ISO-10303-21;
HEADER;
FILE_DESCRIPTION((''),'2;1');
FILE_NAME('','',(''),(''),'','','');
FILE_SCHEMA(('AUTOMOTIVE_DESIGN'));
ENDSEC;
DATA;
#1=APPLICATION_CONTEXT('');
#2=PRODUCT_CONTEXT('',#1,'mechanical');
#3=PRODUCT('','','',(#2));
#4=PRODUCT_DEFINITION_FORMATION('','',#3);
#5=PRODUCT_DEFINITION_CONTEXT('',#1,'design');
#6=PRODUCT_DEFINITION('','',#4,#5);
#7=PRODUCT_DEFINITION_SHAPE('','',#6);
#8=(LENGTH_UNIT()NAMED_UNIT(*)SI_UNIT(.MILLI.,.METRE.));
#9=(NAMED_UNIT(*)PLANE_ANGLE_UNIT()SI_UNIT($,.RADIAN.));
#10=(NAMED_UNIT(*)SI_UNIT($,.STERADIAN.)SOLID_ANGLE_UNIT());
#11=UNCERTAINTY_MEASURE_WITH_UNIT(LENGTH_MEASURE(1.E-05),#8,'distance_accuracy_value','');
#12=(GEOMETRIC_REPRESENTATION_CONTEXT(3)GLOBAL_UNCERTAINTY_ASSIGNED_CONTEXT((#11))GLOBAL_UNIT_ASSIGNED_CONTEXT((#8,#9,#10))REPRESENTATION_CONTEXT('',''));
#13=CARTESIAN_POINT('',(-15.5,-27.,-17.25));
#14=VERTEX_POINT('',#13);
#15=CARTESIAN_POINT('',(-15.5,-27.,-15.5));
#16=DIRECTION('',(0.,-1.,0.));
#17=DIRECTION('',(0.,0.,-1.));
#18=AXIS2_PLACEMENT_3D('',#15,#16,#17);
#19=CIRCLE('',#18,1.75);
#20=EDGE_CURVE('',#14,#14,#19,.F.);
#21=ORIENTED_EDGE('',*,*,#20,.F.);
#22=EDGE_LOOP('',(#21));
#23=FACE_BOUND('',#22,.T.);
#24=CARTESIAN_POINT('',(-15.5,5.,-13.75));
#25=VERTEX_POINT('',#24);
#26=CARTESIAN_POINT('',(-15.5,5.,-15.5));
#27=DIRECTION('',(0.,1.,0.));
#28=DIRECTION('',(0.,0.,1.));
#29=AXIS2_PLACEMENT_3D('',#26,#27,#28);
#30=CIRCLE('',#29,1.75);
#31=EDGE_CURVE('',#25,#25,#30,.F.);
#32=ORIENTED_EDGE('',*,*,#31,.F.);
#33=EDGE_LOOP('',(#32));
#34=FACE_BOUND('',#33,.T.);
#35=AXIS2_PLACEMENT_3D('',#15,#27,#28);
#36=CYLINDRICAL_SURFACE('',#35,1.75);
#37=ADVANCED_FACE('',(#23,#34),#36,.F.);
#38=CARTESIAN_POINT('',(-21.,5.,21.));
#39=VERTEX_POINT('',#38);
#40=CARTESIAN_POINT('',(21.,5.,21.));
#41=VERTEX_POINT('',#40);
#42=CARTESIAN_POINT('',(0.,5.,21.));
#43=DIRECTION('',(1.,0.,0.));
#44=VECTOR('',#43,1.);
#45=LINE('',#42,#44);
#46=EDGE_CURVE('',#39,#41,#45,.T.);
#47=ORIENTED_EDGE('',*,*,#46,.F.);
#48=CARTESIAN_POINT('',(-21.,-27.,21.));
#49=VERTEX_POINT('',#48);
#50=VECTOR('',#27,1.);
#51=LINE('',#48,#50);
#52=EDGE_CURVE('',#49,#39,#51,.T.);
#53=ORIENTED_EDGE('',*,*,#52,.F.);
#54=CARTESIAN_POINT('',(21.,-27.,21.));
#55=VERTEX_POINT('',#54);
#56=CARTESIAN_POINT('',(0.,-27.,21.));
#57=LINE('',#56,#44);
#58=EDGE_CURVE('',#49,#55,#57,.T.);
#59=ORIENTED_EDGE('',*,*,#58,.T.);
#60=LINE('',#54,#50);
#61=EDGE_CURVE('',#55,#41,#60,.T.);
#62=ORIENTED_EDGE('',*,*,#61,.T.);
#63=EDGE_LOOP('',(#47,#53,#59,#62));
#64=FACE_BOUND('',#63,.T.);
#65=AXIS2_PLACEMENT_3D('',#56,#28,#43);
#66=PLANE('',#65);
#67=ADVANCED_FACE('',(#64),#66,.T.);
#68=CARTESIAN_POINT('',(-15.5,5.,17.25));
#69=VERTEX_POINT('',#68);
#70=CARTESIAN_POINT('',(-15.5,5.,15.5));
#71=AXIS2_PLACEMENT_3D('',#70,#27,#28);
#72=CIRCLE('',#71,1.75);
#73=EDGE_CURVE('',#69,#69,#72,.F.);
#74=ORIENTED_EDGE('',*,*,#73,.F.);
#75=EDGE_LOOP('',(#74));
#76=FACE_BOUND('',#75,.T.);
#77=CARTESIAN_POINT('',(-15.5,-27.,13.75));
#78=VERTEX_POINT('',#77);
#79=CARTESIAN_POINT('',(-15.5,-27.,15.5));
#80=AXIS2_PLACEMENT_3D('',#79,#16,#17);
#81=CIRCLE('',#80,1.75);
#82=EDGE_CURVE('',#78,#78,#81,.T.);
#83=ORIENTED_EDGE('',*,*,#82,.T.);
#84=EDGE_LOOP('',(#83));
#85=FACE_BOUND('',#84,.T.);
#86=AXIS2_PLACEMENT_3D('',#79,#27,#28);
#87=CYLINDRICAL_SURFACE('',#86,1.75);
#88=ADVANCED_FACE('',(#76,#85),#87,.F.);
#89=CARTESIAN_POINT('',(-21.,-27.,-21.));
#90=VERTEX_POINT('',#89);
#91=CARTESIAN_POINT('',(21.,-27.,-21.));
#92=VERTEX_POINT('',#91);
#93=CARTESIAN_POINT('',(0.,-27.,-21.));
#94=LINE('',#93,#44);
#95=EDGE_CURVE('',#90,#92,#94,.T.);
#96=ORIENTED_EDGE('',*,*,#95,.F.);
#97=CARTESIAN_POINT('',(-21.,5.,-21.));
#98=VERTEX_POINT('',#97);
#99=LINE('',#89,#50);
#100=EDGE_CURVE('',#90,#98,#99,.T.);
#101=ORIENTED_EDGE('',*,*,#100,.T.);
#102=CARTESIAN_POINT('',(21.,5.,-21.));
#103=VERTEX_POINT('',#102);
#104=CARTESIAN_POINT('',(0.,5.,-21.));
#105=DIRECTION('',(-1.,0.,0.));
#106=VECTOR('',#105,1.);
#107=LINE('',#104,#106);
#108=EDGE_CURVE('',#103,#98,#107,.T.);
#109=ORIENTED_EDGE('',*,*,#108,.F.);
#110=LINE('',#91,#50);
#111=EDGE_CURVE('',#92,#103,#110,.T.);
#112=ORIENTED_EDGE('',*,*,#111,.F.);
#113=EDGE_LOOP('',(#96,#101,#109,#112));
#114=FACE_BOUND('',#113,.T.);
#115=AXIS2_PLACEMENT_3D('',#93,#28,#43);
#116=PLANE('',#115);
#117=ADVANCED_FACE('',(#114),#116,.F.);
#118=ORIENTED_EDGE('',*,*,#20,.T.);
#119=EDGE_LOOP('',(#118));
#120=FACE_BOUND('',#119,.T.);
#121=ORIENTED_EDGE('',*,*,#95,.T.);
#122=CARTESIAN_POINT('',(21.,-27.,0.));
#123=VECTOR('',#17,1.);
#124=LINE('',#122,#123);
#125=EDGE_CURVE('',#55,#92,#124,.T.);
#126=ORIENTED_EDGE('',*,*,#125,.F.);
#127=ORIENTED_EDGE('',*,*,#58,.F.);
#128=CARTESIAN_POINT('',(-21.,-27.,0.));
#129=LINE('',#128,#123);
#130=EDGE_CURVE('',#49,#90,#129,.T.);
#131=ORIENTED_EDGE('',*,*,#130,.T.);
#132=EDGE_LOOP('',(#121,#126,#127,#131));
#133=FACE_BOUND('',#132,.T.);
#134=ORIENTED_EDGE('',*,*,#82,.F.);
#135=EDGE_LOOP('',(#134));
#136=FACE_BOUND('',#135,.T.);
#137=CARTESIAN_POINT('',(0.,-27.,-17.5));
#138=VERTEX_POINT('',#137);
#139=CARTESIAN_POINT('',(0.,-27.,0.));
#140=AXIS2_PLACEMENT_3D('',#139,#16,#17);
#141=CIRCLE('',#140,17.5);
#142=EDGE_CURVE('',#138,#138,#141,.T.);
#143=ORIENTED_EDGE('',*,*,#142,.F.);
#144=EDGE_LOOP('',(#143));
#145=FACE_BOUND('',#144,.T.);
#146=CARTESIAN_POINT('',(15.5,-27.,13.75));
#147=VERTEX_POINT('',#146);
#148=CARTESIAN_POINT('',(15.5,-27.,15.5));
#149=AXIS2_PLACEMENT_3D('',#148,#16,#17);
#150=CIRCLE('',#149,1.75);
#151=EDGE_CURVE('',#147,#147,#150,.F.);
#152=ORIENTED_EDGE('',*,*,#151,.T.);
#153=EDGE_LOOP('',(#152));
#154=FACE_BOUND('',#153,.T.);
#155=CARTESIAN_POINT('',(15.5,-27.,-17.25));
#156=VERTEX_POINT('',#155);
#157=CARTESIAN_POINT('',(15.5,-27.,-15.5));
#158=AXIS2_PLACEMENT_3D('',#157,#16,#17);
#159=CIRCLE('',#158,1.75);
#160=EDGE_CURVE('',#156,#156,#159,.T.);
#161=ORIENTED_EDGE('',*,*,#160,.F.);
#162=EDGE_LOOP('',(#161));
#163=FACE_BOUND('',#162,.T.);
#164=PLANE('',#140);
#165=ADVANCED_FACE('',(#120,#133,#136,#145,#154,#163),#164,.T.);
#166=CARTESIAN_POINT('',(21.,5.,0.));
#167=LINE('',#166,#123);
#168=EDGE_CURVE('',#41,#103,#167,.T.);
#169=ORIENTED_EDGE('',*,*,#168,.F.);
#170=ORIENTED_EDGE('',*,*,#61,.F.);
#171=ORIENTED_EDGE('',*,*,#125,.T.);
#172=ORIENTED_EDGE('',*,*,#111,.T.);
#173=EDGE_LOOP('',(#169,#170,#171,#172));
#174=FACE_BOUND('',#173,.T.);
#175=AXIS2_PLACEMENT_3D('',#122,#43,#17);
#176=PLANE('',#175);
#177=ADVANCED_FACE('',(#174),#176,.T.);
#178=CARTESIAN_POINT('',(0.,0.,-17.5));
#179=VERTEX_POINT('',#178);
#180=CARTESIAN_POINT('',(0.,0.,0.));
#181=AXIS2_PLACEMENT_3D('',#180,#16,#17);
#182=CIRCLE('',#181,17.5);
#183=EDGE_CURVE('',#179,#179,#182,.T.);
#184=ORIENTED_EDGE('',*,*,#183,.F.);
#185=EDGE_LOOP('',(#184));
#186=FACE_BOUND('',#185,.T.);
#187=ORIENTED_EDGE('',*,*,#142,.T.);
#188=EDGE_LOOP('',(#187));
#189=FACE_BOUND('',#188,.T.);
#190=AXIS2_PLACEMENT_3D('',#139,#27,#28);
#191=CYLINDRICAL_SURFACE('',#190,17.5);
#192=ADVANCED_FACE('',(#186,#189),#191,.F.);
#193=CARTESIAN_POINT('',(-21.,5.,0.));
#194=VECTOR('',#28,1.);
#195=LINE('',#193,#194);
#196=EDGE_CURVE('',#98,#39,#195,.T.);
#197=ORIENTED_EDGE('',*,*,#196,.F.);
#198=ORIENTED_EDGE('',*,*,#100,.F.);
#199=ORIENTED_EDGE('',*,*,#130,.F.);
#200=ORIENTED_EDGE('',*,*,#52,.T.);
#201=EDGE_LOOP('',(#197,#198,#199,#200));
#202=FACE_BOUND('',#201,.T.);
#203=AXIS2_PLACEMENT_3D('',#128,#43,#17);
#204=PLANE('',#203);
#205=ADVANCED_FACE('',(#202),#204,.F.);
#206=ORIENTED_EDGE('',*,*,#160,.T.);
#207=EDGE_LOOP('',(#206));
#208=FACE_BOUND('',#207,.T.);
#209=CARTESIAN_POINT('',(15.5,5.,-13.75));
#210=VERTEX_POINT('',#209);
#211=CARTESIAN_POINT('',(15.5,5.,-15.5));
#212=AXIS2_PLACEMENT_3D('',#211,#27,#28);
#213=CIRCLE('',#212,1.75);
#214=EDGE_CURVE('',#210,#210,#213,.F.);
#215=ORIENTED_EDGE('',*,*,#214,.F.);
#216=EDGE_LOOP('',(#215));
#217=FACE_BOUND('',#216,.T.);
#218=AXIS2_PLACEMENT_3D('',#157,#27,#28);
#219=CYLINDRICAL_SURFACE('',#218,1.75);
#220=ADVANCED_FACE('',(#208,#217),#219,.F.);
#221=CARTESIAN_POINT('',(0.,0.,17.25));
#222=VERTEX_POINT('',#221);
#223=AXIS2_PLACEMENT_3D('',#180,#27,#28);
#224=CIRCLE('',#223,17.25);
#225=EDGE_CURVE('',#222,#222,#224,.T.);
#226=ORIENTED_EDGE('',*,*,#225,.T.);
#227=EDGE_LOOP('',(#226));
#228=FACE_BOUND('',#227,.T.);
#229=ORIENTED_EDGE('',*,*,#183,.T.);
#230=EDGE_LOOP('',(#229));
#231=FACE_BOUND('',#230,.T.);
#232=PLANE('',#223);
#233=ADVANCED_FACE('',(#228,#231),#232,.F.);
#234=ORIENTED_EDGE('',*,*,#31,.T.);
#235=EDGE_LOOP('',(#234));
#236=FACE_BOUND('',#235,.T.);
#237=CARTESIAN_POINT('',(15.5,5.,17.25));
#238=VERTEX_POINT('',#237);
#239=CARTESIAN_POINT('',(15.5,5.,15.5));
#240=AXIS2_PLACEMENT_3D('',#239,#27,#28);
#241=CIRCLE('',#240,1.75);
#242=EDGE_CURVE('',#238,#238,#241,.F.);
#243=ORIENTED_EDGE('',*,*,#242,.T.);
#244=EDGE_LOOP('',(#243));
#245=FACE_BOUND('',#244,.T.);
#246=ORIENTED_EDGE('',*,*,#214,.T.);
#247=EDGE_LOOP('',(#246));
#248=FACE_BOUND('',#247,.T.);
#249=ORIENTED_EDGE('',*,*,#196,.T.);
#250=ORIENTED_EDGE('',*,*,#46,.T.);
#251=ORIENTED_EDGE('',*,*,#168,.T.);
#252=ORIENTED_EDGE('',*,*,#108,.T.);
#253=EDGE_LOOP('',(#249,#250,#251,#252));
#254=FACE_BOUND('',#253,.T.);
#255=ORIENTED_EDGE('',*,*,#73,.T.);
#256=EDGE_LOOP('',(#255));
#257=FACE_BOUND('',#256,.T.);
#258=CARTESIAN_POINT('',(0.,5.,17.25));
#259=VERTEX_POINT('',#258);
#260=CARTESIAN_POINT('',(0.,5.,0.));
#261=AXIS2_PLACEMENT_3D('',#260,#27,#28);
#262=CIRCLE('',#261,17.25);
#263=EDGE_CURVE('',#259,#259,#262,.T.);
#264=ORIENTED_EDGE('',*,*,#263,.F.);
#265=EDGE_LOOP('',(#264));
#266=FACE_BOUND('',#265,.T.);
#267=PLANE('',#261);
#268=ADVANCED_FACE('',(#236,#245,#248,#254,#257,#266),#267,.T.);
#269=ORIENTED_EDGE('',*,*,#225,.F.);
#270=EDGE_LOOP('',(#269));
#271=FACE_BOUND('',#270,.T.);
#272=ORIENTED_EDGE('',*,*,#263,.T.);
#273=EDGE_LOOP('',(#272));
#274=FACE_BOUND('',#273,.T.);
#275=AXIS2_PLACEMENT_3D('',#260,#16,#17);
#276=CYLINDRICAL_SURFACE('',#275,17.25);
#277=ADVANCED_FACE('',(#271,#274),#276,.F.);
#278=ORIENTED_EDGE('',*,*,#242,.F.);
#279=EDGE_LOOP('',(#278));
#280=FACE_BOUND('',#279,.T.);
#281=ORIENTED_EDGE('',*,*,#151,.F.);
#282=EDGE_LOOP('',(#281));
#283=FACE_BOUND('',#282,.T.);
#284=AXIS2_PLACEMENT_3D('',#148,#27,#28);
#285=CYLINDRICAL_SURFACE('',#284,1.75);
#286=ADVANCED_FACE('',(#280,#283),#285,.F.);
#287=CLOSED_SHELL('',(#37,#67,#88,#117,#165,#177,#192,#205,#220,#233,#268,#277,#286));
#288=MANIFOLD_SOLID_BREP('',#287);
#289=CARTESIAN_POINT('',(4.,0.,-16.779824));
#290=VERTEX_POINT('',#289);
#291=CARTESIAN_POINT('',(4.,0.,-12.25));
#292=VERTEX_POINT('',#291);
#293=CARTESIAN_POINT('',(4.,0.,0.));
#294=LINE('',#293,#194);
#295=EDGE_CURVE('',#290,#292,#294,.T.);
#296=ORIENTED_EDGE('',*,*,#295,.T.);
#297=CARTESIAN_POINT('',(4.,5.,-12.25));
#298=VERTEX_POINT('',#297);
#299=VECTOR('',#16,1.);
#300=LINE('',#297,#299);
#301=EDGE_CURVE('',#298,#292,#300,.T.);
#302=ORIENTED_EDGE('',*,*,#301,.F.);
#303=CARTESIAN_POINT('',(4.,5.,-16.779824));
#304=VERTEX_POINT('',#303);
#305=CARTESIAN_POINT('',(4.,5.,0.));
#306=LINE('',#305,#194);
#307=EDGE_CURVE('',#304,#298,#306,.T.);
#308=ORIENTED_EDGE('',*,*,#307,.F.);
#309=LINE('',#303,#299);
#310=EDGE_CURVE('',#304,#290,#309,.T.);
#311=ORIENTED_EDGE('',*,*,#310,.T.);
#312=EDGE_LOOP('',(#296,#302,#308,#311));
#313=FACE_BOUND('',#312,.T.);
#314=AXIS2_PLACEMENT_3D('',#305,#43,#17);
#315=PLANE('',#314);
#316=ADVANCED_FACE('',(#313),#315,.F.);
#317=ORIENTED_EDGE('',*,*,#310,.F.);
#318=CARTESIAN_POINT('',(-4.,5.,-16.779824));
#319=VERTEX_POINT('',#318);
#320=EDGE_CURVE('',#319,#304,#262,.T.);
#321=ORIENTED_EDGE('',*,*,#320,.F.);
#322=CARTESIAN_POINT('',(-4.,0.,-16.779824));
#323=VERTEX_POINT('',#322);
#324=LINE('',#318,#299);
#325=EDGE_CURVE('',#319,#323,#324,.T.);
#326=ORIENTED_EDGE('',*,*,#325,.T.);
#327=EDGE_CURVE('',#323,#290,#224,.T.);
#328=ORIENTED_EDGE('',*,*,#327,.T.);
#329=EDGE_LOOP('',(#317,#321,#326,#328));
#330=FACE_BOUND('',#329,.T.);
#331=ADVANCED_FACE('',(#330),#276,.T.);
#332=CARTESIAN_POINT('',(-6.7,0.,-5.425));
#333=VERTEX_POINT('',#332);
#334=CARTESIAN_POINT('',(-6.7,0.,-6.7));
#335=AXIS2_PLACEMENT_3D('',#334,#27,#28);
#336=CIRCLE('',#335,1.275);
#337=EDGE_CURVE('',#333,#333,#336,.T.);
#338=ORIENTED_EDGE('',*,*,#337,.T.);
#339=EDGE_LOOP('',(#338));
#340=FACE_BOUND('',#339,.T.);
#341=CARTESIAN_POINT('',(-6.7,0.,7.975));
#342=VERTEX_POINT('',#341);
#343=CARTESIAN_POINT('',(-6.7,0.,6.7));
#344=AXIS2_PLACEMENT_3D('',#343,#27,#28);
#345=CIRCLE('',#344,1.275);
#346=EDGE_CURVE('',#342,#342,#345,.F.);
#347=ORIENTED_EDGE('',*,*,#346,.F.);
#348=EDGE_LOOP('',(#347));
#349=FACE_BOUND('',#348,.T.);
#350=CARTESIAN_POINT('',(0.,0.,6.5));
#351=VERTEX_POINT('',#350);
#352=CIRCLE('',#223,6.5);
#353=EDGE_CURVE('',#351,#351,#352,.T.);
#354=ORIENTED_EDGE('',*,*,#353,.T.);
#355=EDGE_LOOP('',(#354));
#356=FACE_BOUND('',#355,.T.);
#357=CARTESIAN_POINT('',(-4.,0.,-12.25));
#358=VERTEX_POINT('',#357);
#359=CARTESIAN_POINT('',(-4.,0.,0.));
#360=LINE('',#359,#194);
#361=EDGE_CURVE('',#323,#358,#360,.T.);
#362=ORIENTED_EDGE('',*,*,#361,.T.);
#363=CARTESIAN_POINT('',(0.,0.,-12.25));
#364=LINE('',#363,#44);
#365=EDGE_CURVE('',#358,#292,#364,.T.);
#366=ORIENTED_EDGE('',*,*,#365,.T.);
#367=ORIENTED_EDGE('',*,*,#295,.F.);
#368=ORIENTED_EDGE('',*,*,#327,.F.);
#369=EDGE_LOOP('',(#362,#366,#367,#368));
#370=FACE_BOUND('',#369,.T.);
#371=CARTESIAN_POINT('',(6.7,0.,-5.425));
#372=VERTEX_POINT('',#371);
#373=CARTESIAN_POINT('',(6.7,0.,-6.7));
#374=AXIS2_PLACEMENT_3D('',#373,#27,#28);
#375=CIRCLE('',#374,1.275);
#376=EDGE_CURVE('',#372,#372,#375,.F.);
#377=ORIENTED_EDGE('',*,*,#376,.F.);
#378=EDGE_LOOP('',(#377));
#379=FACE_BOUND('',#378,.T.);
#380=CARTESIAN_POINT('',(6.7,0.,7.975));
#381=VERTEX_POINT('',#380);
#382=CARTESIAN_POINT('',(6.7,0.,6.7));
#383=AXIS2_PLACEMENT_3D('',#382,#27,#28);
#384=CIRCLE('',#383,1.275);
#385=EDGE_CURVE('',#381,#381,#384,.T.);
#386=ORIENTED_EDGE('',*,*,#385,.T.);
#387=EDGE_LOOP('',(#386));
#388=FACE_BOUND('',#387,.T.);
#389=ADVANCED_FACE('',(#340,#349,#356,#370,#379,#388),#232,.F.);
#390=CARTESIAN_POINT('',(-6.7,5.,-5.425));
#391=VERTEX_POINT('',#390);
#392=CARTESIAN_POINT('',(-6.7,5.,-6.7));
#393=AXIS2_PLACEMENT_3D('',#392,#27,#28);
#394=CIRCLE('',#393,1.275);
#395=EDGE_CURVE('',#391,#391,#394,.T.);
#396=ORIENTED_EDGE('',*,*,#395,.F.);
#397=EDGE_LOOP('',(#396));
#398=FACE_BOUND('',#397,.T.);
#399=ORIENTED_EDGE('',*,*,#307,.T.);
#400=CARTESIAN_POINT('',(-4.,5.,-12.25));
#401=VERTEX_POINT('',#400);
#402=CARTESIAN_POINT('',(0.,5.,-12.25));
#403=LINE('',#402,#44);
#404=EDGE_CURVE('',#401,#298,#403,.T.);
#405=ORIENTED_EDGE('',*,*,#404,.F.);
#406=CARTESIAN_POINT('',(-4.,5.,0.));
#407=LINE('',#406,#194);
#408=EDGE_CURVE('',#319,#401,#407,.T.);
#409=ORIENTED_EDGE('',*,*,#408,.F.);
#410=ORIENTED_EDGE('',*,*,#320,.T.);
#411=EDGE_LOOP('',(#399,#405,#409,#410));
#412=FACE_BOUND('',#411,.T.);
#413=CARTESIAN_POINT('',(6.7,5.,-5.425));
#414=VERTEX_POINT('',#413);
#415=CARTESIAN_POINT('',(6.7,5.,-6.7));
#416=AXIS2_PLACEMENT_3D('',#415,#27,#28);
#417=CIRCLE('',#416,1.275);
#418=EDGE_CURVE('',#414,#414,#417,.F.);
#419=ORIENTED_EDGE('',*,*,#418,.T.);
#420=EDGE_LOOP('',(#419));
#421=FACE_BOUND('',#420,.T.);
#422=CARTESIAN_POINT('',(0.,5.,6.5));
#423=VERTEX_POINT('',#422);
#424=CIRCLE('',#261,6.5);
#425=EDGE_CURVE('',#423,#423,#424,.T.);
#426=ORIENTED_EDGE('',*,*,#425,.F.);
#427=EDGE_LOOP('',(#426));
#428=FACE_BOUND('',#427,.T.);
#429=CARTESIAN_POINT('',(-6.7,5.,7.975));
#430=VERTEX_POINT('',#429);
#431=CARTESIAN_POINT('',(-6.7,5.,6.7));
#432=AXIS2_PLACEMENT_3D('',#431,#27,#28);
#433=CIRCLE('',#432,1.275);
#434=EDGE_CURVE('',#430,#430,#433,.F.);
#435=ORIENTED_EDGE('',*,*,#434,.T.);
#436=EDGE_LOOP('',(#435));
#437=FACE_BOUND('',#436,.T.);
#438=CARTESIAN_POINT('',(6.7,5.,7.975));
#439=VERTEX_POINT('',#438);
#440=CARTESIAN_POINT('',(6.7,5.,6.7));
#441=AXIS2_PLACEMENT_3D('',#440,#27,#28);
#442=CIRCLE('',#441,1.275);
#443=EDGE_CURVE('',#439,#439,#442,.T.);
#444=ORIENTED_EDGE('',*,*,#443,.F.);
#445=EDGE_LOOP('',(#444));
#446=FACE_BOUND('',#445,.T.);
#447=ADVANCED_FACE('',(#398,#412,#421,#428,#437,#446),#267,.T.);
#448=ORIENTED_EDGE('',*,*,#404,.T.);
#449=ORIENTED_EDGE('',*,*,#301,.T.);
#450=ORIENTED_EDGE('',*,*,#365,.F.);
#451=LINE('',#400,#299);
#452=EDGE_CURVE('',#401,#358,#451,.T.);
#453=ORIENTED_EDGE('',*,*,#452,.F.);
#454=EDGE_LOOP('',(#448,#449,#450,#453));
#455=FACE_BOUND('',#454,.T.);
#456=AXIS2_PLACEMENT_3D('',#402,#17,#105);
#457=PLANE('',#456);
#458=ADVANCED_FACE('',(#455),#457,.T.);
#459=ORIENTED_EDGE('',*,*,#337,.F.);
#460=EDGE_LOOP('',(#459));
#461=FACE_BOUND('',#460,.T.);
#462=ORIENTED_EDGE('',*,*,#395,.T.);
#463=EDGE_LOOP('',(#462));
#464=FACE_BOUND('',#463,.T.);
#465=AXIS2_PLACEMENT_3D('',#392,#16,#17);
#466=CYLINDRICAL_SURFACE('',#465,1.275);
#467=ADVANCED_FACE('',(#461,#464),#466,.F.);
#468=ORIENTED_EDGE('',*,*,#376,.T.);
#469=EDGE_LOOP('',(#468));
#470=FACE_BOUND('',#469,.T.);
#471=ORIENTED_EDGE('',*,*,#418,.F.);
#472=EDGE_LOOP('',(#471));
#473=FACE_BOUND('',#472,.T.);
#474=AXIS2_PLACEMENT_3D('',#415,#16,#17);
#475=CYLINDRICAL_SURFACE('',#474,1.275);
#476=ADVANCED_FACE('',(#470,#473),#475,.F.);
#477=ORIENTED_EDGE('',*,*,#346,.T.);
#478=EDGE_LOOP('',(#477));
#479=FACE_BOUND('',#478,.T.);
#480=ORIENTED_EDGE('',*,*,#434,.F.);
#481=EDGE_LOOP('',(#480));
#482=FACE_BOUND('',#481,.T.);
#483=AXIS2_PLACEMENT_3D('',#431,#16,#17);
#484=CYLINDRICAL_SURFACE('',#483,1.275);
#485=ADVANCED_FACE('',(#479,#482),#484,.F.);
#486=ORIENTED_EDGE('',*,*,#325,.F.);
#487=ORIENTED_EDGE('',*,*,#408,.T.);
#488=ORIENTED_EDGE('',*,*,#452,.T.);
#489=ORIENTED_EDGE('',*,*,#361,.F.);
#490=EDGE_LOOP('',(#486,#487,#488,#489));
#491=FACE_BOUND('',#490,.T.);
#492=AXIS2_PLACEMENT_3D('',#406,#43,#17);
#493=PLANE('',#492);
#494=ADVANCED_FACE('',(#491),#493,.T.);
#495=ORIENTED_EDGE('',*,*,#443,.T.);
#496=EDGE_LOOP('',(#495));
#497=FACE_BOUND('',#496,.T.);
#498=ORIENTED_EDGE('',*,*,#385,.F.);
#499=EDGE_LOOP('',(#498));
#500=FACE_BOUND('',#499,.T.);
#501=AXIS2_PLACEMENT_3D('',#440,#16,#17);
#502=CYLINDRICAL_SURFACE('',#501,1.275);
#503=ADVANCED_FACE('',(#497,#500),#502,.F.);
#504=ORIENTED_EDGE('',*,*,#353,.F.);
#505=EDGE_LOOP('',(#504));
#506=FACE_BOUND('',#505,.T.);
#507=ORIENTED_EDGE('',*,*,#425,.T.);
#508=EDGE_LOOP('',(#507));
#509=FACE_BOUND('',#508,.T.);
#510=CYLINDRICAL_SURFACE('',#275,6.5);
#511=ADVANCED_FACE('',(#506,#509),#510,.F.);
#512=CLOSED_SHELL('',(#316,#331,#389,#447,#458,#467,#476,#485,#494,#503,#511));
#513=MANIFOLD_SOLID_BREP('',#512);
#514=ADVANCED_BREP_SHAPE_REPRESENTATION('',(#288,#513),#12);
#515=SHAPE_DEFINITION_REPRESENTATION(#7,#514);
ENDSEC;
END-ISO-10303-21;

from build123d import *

# Parameters (mm, degrees)
SKETCH_1_R      = 1.275
SKETCH_1_R_2    = 6.5
EXTRUDE_1_DEPTH = 5
SKETCH_2_W      = 42
SKETCH_2_H      = 42
SKETCH_2_R      = 1.75
SKETCH_2_R_2    = 17.5
EXTRUDE_2_DEPTH = 27
SKETCH_3_W      = 42
SKETCH_3_H      = 42
SKETCH_3_R      = 1.75
SKETCH_3_R_2    = 17.5
SKETCH_3_R_3    = 17.25
EXTRUDE_3_DEPTH = 5


with BuildPart() as part:
    # 草图1 → 凸台-拉伸1 (new body)
    with BuildSketch(Plane(origin=(0, 0, 0), x_dir=(1, 0, 0), z_dir=(0, 1, 0))):
        with BuildLine():
            Line((-4, 12.25), (-4, 16.779824195))
            ThreePointArc((-4, 16.779824195), (-10.690240877, -13.538140567), (17.25, 0))
            ThreePointArc((17.25, 0), (13.538140567, 10.690240877), (4, 16.779824195))
            Line((4, 16.779824195), (4, 12.25))
            Line((4, 12.25), (-4, 12.25))
        make_face()
        with Locations(Location((-6.7, -6.7, 0), (0, 0, 270))):
            Circle(SKETCH_1_R, mode=Mode.SUBTRACT)
        with Locations(Location((6.7, -6.7, 0), (0, 0, 270))):
            Circle(SKETCH_1_R, mode=Mode.SUBTRACT)
        with Locations(Location((0, 0, 0), (0, 0, 270))):
            Circle(SKETCH_1_R_2, mode=Mode.SUBTRACT)
        with Locations(Location((-6.7, 6.7, 0), (0, 0, 270))):
            Circle(SKETCH_1_R, mode=Mode.SUBTRACT)
        with Locations(Location((6.7, 6.7, 0), (0, 0, 270))):
            Circle(SKETCH_1_R, mode=Mode.SUBTRACT)
    extrude(amount=EXTRUDE_1_DEPTH)


with BuildPart() as body_2:
    # 草图2 → 凸台-拉伸2 (new body)
    with BuildSketch(Plane.XZ):
        Rectangle(SKETCH_2_W, SKETCH_2_H)
        with Locations(Location((-15.5, -15.5, 0), (0, 0, 270))):
            Circle(SKETCH_2_R, mode=Mode.SUBTRACT)
        with Locations(Location((15.5, -15.5, 0), (0, 0, 270))):
            Circle(SKETCH_2_R, mode=Mode.SUBTRACT)
        with Locations(Location((-15.5, 15.5, 0), (0, 0, 270))):
            Circle(SKETCH_2_R, mode=Mode.SUBTRACT)
        with Locations(Location((0, 0, 0), (0, 0, 270))):
            Circle(SKETCH_2_R_2, mode=Mode.SUBTRACT)
        with Locations(Location((15.5, 15.5, 0), (0, 0, 270))):
            Circle(SKETCH_2_R, mode=Mode.SUBTRACT)
    extrude(amount=EXTRUDE_2_DEPTH)

    # 草图3 → 凸台-拉伸3 (add)
    # profile 1 of 2: a face of its own
    with BuildSketch(Plane(origin=(0, 0, 0), x_dir=(1, 0, 0), z_dir=(0, 1, 0))):
        Rectangle(SKETCH_3_W, SKETCH_3_H)
        with Locations(Location((15.5, -15.5, 0), (0, 0, 270))):
            Circle(SKETCH_3_R, mode=Mode.SUBTRACT)
        with Locations(Location((-15.5, 15.5, 0), (0, 0, 270))):
            Circle(SKETCH_3_R, mode=Mode.SUBTRACT)
        with Locations(Location((15.5, 15.5, 0), (0, 0, 270))):
            Circle(SKETCH_3_R, mode=Mode.SUBTRACT)
        with Locations(Location((-15.5, -15.5, 0), (0, 0, 270))):
            Circle(SKETCH_3_R, mode=Mode.SUBTRACT)
        with Locations(Location((0, 0, 0), (0, 0, 90))):
            Circle(SKETCH_3_R_2, mode=Mode.SUBTRACT)
    # profile 2 of 2: a face of its own
    with BuildSketch(Plane(origin=(0, 0, 0), x_dir=(1, 0, 0), z_dir=(0, 1, 0))):
        with Locations(Location((0, 0, 0), (0, 0, 90))):
            Circle(SKETCH_3_R_2)
        with Locations(Location((0, 0, 0), (0, 0, 270))):
            Circle(SKETCH_3_R_3, mode=Mode.SUBTRACT)
    extrude(amount=EXTRUDE_3_DEPTH)


solid = Compound([part.part, body_2.part])
